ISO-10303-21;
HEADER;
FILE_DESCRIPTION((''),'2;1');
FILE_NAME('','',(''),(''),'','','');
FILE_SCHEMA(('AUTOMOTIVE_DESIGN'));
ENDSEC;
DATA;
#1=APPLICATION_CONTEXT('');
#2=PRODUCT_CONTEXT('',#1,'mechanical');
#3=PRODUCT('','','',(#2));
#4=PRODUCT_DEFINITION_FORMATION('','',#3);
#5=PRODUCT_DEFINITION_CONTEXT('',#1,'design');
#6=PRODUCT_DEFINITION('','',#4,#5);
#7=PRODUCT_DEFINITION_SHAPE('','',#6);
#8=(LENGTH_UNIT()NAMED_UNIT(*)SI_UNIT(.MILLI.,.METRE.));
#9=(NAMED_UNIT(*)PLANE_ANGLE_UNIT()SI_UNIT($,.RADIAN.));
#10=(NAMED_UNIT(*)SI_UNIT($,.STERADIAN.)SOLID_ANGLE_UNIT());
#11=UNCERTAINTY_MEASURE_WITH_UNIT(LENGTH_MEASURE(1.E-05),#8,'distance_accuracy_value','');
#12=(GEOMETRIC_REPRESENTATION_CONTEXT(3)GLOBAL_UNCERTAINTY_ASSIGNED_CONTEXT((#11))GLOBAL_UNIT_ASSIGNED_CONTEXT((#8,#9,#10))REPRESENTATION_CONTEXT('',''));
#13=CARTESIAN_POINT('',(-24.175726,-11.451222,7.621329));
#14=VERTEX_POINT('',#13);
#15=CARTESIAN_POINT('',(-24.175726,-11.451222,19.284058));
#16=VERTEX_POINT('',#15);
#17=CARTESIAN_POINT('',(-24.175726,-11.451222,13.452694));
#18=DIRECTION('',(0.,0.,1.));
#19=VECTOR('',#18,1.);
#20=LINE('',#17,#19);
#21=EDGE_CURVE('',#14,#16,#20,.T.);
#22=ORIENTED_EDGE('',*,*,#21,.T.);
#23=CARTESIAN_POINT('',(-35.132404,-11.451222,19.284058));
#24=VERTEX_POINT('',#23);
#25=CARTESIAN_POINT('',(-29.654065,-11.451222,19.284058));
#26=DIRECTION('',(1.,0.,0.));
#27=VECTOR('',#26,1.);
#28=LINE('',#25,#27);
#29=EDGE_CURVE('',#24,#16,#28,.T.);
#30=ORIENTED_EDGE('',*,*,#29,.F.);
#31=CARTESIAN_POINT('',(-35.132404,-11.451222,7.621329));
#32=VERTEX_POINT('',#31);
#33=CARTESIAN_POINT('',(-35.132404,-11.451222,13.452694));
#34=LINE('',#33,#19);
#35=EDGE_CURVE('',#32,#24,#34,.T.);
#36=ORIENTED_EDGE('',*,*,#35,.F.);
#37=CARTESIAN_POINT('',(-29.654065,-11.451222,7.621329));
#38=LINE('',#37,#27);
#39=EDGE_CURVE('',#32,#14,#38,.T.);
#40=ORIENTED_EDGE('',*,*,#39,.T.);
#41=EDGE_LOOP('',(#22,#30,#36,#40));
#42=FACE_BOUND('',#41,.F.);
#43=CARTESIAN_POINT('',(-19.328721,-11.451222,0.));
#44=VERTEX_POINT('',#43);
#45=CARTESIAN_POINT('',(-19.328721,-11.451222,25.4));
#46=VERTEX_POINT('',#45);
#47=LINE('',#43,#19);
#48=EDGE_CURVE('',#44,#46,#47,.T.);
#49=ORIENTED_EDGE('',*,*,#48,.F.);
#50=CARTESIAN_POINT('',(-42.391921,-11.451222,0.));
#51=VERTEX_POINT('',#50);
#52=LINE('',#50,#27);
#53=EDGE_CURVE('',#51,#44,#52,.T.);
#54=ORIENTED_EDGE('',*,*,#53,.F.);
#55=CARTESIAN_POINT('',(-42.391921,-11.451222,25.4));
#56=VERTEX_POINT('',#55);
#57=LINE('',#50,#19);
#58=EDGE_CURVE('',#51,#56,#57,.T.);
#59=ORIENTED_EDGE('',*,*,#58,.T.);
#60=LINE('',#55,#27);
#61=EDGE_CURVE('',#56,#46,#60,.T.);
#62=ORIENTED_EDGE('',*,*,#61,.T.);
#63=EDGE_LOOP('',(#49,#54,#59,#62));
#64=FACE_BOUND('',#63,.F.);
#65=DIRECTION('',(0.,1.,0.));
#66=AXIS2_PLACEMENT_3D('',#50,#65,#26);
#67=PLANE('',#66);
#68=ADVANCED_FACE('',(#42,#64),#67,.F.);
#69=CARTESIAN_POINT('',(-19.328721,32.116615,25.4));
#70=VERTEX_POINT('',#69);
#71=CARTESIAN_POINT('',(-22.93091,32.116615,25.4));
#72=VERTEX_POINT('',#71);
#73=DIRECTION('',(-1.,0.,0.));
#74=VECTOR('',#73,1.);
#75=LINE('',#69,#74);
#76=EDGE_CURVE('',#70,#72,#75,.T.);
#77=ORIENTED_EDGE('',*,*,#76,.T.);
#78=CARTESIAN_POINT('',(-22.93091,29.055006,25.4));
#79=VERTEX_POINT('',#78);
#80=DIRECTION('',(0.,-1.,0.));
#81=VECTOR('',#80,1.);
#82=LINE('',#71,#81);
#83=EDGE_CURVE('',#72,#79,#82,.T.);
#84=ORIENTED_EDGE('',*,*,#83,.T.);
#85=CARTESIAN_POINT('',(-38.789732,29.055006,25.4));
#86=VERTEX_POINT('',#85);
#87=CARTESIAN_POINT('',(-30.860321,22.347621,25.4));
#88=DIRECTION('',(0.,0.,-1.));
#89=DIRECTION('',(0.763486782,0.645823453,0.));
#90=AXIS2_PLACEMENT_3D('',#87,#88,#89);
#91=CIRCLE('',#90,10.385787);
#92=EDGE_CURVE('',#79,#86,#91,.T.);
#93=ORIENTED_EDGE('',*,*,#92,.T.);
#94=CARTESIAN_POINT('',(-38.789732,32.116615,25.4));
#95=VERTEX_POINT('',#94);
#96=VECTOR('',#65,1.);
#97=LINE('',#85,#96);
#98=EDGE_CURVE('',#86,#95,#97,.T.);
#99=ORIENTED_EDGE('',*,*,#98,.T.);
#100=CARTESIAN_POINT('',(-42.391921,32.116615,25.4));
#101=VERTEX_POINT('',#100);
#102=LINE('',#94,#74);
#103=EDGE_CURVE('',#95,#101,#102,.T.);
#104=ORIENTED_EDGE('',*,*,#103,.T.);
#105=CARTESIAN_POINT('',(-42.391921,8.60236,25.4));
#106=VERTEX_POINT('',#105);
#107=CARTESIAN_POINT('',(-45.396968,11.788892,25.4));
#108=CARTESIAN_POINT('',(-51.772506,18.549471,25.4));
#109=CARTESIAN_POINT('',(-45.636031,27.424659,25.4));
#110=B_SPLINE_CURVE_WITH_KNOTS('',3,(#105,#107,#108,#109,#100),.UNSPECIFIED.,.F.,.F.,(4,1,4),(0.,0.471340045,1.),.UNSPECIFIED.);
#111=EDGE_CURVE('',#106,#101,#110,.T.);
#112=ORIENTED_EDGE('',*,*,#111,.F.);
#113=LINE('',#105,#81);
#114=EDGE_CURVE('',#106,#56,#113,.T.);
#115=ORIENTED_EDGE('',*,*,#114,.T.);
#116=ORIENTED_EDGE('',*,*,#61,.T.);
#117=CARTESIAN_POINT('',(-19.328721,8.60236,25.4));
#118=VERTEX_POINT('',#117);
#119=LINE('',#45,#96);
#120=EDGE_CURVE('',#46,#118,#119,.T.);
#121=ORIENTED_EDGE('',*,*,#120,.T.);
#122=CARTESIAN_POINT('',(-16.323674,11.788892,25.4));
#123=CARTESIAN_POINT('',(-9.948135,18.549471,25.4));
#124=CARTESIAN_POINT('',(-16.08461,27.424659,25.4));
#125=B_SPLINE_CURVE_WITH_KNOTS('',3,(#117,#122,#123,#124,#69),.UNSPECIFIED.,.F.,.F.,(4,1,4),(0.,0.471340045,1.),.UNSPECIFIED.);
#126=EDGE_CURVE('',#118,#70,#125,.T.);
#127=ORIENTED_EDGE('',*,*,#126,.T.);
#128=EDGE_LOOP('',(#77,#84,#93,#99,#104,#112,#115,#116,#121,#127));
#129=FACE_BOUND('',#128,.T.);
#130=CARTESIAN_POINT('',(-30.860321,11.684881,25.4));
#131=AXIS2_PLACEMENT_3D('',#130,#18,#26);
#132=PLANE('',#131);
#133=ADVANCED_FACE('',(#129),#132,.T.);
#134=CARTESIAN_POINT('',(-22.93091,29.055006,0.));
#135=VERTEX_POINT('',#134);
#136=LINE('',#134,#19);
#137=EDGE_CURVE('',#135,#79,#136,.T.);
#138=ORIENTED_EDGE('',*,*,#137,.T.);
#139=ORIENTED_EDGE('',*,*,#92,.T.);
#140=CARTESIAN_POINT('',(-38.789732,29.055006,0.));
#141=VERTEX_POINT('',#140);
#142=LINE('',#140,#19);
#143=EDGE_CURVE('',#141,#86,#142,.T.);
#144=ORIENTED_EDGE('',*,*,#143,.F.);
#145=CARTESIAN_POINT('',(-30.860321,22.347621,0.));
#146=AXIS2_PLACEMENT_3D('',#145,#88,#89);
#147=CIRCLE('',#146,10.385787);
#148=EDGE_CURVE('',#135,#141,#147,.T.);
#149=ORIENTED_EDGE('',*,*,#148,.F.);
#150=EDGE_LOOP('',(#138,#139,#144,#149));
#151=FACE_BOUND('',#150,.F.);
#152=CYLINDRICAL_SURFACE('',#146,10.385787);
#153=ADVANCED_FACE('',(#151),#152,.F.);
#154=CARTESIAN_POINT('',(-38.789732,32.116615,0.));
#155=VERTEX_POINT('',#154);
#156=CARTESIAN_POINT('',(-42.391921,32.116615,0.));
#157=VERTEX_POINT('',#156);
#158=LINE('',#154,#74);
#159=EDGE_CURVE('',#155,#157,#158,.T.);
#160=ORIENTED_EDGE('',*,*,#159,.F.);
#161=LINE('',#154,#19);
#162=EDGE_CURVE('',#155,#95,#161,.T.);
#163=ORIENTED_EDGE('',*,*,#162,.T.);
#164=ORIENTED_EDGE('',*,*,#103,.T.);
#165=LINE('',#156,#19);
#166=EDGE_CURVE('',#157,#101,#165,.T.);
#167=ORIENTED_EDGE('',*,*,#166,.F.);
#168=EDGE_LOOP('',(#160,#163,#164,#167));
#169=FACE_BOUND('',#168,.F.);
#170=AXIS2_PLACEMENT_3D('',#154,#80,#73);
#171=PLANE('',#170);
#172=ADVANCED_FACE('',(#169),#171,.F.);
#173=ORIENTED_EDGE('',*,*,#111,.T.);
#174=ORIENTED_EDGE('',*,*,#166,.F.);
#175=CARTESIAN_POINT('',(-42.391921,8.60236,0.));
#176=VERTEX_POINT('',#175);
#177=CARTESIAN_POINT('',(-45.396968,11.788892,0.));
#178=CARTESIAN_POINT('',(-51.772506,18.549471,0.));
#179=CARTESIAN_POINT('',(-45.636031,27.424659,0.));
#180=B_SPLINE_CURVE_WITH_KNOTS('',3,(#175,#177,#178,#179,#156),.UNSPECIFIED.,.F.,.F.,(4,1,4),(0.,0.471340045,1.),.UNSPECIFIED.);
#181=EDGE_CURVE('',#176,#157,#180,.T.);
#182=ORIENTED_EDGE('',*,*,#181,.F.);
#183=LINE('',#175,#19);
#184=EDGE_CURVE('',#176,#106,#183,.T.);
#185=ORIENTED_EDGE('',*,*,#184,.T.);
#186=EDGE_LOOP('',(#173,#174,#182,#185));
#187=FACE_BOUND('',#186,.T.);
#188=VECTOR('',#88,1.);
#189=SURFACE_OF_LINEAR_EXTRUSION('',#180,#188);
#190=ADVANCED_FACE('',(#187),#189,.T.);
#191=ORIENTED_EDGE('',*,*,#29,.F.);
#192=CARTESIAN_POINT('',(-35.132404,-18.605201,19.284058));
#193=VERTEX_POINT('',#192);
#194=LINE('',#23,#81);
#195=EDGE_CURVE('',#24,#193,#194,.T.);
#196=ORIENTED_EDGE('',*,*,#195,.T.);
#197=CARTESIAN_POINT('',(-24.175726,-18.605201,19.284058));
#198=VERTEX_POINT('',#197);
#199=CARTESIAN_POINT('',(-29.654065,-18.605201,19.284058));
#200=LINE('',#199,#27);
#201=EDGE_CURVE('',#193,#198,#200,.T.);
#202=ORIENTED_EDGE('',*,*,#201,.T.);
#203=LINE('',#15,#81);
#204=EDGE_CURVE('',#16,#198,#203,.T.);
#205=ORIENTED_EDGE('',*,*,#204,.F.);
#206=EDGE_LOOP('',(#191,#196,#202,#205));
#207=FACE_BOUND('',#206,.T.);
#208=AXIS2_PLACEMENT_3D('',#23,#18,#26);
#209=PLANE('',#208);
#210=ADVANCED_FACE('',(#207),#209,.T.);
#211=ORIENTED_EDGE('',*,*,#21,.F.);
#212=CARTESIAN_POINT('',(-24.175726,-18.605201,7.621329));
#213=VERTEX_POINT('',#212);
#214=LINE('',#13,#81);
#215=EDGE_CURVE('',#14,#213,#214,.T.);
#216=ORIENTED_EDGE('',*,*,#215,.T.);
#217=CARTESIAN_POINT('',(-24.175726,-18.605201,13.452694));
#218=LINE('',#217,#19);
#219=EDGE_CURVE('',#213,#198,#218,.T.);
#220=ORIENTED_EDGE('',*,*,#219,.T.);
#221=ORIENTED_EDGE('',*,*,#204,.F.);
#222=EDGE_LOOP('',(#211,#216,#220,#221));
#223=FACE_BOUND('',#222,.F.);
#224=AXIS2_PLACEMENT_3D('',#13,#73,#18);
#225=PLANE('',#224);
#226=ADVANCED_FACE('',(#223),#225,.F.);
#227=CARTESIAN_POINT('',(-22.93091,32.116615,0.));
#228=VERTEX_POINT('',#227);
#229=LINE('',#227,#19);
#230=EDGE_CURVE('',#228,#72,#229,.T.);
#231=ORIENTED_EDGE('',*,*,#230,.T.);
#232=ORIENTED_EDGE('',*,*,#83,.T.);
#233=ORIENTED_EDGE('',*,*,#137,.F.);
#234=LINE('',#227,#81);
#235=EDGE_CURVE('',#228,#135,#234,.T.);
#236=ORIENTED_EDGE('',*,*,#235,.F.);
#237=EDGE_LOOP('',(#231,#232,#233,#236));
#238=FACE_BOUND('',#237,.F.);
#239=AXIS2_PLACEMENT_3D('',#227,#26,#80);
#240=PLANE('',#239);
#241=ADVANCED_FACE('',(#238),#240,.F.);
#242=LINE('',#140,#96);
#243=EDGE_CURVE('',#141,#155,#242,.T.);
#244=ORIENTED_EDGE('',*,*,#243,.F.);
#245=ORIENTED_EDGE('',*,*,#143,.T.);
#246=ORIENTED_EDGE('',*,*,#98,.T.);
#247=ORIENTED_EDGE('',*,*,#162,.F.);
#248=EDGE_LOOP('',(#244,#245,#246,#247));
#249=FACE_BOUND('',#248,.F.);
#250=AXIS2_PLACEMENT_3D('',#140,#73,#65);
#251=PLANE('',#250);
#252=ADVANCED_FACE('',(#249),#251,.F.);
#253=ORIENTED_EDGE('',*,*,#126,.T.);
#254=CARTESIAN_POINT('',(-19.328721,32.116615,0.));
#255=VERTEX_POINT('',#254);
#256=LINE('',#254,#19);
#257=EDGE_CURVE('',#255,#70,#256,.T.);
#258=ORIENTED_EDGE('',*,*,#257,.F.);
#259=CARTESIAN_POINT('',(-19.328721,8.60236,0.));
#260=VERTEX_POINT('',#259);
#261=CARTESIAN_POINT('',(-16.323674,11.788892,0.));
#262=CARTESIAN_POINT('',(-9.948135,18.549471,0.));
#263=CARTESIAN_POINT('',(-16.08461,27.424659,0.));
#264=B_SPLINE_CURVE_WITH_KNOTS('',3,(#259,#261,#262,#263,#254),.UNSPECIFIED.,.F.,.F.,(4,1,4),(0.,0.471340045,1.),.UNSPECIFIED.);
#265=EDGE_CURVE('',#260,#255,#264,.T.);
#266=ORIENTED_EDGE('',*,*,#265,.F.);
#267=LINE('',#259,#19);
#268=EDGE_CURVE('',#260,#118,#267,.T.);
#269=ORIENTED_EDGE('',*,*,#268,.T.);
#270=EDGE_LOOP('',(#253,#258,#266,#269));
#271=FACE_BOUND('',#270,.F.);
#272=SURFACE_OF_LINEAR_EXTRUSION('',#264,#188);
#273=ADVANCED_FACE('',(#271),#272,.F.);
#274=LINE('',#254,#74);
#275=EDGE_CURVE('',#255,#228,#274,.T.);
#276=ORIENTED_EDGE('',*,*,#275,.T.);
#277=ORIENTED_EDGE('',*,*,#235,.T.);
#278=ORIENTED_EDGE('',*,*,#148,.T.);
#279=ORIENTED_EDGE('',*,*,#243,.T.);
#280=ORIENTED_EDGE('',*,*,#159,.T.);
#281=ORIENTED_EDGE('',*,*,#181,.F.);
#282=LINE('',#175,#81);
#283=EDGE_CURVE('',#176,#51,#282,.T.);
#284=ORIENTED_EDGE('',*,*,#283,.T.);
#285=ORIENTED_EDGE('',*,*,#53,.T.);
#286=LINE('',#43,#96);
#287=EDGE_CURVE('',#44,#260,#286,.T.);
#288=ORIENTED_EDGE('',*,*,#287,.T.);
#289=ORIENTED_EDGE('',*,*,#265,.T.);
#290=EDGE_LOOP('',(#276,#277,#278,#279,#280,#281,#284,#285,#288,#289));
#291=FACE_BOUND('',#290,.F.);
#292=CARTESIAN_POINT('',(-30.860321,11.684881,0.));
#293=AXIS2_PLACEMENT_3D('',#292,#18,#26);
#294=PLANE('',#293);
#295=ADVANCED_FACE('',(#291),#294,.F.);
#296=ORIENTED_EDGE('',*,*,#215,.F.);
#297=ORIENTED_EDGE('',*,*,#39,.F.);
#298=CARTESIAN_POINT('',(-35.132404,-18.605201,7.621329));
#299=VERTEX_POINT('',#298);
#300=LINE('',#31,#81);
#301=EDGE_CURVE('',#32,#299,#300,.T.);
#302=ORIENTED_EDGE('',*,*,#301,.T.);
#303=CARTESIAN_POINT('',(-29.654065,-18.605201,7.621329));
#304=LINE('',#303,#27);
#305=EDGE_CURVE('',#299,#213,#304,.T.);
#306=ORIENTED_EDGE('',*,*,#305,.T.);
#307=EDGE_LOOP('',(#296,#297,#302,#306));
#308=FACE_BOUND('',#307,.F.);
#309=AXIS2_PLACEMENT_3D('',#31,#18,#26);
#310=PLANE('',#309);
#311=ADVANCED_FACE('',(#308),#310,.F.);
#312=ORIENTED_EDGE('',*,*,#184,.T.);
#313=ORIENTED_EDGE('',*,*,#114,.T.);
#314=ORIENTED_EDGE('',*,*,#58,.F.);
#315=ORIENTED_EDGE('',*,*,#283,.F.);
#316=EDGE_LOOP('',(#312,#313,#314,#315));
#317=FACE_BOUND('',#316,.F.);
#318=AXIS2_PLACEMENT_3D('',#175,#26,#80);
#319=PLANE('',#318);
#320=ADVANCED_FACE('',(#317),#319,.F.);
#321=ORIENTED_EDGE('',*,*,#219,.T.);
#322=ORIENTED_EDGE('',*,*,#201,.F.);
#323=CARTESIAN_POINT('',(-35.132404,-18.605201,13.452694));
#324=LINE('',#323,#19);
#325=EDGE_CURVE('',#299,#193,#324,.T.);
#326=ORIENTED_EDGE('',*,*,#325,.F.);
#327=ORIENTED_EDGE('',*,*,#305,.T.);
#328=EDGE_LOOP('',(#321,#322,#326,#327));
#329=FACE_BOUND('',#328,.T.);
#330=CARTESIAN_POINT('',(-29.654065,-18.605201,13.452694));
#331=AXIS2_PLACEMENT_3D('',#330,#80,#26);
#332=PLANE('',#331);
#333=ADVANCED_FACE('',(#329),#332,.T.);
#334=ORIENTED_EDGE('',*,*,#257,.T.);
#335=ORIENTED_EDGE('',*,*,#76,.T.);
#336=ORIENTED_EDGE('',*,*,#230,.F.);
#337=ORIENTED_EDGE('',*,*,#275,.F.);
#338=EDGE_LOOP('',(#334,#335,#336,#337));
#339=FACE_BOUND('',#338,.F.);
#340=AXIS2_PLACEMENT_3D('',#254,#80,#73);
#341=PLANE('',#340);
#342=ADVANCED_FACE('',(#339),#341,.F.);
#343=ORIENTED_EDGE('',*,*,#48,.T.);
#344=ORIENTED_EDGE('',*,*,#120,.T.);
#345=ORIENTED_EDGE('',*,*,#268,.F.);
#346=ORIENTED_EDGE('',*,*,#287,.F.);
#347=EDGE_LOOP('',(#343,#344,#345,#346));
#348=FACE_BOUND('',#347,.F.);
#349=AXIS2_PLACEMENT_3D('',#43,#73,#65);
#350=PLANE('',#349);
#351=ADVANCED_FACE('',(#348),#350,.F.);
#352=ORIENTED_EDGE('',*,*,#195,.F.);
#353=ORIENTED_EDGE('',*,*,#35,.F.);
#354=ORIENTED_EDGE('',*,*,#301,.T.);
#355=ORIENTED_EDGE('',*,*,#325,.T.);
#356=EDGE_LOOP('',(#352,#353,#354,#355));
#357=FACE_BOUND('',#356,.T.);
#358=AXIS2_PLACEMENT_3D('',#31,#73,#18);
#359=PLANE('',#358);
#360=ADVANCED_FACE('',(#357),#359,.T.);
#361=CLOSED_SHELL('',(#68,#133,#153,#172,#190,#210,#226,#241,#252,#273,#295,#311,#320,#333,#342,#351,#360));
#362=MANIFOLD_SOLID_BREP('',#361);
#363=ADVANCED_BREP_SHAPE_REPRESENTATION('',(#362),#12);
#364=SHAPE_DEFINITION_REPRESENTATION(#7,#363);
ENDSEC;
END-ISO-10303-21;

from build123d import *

# Parameters (mm, degrees)
F1_DEPTH = 25.4
F3_W     = 10.9566785395
F3_H     = 11.6627290845
F4_DEPTH = 7.1539785713


with BuildPart() as f1:
    # F0 (on Top) → F1 (new body)
    with BuildSketch(Plane.XY):
        with BuildLine():
            Line((-42.3919206649, 8.6023595556), (-42.3919206649, -11.4512224138))
            Line((-42.3919206649, -11.4512224138), (-19.3287206649, -11.4512224138))
            Line((-19.3287206649, -11.4512224138), (-19.3287206649, 8.6023595556))
            add(Edge.make_bspline(
                [(-19.3287206649, 8.6023595556), (-16.323673708, 11.7888919971), (-9.9481352571, 18.5494707236), (-16.0846098572, 27.4246591557), (-19.3287206649, 32.1166146935)],
                knots=[0, 0, 0, 0, 0.4713400446, 1, 1, 1, 1], degree=3))
            Line((-19.3287206649, 32.1166146935), (-22.9309096968, 32.1166146935))
            Line((-22.9309096968, 32.1166146935), (-22.9309096968, 29.055005683))
            ThreePointArc((-22.9309096968, 29.055005683), (-30.8603206649, 11.9618341392), (-38.7897316331, 29.055005683))
            Line((-38.7897316331, 29.055005683), (-38.7897316331, 32.1166146935))
            Line((-38.7897316331, 32.1166146935), (-42.3919206649, 32.1166146935))
            add(Edge.make_bspline(
                [(-42.3919206649, 8.6023595556), (-45.3969676218, 11.7888919971), (-51.7725060727, 18.5494707236), (-45.6360314726, 27.4246591557), (-42.3919206649, 32.1166146935)],
                knots=[0, 0, 0, 0, 0.4713400446, 1, 1, 1, 1], degree=3))
        make_face()
    extrude(amount=F1_DEPTH)

    # F3 (on face) → F4 (join)
    with BuildSketch(Plane.XZ.offset(11.4512224138)):
        with Locations((-29.654065147, 13.45269382)):
            Rectangle(F3_W, F3_H)
    extrude(amount=F4_DEPTH)


solid = f1.part
